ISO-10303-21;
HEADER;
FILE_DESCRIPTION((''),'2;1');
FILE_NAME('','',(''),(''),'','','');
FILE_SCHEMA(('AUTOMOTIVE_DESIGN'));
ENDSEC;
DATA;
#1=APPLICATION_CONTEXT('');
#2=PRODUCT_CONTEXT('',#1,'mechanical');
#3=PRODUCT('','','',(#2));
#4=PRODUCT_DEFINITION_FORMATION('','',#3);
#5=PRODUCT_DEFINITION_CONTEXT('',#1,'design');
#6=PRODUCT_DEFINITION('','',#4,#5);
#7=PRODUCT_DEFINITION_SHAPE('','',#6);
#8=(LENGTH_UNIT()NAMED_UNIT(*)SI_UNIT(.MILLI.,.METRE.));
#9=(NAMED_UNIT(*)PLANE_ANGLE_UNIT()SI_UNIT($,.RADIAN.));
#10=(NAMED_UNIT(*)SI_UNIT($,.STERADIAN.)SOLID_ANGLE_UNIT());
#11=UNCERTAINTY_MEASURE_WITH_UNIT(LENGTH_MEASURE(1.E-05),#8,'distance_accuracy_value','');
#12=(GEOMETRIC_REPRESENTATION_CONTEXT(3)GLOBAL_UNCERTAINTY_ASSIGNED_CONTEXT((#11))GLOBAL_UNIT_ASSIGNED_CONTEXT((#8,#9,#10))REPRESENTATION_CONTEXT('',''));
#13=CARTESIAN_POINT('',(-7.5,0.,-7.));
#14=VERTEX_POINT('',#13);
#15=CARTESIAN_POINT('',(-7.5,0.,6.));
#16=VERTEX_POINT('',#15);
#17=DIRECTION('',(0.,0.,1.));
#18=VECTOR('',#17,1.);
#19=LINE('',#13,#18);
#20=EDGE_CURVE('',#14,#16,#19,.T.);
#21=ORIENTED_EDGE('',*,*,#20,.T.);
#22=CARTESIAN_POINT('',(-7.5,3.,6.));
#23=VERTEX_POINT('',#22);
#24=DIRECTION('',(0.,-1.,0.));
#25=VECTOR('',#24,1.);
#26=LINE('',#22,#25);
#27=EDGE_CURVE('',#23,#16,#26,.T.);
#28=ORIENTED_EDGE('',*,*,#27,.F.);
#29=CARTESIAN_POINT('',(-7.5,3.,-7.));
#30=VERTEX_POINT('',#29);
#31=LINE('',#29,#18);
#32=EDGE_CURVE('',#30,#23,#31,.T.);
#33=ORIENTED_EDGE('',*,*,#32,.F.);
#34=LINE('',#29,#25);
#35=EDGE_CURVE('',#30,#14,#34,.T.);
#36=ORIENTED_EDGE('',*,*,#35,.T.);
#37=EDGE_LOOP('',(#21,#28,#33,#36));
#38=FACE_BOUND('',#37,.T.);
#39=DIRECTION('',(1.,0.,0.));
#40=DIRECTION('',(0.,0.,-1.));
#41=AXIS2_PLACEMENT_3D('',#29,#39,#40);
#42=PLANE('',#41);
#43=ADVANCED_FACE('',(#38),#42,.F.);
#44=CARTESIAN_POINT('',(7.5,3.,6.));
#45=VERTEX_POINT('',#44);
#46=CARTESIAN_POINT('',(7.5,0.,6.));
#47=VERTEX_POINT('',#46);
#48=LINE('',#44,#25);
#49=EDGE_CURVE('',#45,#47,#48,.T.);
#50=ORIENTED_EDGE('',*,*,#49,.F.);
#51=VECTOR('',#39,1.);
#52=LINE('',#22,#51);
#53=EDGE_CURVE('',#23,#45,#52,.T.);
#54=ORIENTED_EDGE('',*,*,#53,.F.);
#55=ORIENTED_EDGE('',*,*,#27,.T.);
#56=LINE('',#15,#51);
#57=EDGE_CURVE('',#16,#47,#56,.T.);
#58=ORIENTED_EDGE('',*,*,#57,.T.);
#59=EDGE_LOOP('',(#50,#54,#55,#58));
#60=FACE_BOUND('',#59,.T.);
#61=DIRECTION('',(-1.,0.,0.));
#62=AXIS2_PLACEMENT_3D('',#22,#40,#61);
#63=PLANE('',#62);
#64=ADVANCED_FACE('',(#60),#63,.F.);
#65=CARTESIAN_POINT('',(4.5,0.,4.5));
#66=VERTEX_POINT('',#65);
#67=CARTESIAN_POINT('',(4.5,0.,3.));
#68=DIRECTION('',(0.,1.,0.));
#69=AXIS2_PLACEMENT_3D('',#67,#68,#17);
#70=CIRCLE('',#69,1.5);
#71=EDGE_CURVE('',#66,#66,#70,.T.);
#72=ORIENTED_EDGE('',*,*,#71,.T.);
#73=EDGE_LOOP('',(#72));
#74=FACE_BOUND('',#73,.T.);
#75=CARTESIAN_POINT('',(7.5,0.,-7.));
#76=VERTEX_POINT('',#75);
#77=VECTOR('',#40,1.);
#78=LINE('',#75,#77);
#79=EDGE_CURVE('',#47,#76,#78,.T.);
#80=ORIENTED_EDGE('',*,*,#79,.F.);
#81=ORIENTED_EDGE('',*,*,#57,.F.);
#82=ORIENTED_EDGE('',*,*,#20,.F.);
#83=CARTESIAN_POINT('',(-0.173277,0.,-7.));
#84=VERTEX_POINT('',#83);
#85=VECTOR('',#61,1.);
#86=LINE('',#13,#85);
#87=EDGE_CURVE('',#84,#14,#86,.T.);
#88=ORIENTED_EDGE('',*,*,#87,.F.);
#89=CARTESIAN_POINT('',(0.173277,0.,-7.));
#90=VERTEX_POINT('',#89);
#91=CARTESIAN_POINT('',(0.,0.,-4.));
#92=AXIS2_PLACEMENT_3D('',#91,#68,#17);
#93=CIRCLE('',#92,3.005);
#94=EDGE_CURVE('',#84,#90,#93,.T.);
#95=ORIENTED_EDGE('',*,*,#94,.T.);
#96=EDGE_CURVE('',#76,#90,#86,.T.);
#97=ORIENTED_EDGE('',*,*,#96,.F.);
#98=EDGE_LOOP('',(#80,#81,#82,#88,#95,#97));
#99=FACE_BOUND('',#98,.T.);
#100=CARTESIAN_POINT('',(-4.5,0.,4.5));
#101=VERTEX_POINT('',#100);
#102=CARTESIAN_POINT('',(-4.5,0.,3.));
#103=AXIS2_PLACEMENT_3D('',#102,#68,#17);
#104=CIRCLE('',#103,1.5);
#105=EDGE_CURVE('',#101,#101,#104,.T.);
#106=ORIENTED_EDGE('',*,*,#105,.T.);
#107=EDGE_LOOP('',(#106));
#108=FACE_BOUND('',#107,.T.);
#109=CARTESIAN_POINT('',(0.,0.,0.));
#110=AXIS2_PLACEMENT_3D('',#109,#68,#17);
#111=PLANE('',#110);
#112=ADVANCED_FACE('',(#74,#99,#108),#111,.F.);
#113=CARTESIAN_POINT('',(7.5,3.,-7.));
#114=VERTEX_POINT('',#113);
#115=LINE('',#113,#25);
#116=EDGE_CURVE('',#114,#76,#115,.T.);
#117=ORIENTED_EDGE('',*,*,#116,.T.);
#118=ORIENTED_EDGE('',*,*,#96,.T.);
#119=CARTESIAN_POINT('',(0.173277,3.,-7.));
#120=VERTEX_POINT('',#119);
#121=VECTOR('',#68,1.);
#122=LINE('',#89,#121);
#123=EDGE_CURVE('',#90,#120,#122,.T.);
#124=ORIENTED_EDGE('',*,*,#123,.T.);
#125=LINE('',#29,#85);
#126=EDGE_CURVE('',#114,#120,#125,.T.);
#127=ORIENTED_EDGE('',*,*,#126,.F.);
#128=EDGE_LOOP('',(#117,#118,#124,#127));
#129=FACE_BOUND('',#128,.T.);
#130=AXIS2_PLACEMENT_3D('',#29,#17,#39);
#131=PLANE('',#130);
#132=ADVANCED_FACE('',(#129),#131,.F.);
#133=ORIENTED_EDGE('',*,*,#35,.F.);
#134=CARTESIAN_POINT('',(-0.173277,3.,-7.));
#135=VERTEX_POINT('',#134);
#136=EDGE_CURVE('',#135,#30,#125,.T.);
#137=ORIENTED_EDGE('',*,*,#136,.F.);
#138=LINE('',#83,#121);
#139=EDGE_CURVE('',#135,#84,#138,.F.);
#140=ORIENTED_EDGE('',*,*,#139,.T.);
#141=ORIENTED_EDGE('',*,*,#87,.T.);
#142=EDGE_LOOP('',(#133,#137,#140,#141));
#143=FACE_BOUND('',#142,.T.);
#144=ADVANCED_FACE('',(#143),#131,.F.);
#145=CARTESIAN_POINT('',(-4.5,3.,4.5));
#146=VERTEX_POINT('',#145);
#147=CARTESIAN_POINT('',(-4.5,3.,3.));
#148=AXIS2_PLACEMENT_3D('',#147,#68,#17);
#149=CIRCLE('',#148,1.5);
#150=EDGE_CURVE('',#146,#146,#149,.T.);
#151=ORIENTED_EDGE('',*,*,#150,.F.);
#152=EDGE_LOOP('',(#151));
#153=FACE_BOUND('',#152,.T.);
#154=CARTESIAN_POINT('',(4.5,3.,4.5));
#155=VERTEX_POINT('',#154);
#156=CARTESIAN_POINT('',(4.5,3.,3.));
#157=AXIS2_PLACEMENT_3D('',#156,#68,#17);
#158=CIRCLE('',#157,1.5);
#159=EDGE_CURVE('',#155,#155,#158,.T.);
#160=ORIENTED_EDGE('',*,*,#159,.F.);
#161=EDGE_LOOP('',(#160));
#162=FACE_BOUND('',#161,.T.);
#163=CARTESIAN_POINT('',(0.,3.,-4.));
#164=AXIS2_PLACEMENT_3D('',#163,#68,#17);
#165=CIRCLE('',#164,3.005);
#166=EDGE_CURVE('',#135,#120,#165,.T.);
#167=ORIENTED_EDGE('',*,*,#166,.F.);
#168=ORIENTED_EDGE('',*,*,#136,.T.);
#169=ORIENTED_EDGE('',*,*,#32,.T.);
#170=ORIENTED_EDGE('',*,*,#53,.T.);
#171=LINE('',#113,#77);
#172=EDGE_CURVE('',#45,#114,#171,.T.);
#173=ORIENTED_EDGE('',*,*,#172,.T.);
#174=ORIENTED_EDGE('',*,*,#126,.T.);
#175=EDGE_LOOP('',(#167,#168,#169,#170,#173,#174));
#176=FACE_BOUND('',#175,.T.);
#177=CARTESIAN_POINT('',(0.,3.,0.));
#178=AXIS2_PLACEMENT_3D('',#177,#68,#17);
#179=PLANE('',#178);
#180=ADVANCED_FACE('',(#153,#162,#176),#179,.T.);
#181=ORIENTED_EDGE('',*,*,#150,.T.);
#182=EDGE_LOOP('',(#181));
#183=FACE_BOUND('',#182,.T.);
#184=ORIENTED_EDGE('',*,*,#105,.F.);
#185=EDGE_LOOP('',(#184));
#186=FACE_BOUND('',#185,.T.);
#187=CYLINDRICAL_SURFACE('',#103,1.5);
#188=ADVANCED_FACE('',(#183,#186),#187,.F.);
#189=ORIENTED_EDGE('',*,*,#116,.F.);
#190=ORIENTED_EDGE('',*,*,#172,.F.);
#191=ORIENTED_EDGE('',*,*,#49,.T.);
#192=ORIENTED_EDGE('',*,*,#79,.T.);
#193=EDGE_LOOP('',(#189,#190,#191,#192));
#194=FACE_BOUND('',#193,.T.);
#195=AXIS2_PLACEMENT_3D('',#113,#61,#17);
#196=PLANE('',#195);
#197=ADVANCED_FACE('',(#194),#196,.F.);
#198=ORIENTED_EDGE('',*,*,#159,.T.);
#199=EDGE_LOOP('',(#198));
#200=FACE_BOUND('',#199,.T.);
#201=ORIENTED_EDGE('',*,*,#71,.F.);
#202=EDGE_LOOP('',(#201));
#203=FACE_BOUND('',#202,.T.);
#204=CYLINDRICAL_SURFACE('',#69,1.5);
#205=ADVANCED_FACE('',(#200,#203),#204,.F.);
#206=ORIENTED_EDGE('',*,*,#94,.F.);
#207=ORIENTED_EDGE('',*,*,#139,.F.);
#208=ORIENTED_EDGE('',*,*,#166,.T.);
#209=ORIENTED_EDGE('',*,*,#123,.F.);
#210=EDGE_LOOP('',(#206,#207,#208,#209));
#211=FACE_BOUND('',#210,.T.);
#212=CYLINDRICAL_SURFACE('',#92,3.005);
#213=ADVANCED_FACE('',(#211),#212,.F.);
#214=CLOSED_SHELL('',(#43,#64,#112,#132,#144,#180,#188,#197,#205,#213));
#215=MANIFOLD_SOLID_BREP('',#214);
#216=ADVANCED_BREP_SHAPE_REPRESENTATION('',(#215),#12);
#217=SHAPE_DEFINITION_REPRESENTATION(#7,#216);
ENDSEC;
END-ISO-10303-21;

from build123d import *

# Parameters (mm, degrees)
ESQUISSE1_W             = 15
ESQUISSE1_H             = 13
BOSS_EXTRU_1_DEPTH      = 3
ESQUISSE2_R             = 3.005
ESQUISSE2_R_2           = 1.5
ENL_V_MAT_EXTRU_1_DEPTH = 3


with BuildPart() as part:
    # Esquisse1 → Boss.-Extru.1 (new body)
    with BuildSketch(Plane(origin=(0, 0, 0), x_dir=(1, 0, 0), z_dir=(0, 1, 0))):
        with Locations((0, 0.5)):
            Rectangle(ESQUISSE1_W, ESQUISSE1_H)
    extrude(amount=BOSS_EXTRU_1_DEPTH)

    # Esquisse2 → Enlèv. mat.-Extru.1 (cut)
    with BuildSketch(Plane(origin=(0, 3, 0), x_dir=(1, 0, 0), z_dir=(0, 1, 0))):
        with Locations((0, 4)):
            Circle(ESQUISSE2_R)
        with Locations((-4.5, -3)):
            Circle(ESQUISSE2_R_2)
        with Locations((4.5, -3)):
            Circle(ESQUISSE2_R_2)
    extrude(amount=-ENL_V_MAT_EXTRU_1_DEPTH, mode=Mode.SUBTRACT)


solid = part.part
